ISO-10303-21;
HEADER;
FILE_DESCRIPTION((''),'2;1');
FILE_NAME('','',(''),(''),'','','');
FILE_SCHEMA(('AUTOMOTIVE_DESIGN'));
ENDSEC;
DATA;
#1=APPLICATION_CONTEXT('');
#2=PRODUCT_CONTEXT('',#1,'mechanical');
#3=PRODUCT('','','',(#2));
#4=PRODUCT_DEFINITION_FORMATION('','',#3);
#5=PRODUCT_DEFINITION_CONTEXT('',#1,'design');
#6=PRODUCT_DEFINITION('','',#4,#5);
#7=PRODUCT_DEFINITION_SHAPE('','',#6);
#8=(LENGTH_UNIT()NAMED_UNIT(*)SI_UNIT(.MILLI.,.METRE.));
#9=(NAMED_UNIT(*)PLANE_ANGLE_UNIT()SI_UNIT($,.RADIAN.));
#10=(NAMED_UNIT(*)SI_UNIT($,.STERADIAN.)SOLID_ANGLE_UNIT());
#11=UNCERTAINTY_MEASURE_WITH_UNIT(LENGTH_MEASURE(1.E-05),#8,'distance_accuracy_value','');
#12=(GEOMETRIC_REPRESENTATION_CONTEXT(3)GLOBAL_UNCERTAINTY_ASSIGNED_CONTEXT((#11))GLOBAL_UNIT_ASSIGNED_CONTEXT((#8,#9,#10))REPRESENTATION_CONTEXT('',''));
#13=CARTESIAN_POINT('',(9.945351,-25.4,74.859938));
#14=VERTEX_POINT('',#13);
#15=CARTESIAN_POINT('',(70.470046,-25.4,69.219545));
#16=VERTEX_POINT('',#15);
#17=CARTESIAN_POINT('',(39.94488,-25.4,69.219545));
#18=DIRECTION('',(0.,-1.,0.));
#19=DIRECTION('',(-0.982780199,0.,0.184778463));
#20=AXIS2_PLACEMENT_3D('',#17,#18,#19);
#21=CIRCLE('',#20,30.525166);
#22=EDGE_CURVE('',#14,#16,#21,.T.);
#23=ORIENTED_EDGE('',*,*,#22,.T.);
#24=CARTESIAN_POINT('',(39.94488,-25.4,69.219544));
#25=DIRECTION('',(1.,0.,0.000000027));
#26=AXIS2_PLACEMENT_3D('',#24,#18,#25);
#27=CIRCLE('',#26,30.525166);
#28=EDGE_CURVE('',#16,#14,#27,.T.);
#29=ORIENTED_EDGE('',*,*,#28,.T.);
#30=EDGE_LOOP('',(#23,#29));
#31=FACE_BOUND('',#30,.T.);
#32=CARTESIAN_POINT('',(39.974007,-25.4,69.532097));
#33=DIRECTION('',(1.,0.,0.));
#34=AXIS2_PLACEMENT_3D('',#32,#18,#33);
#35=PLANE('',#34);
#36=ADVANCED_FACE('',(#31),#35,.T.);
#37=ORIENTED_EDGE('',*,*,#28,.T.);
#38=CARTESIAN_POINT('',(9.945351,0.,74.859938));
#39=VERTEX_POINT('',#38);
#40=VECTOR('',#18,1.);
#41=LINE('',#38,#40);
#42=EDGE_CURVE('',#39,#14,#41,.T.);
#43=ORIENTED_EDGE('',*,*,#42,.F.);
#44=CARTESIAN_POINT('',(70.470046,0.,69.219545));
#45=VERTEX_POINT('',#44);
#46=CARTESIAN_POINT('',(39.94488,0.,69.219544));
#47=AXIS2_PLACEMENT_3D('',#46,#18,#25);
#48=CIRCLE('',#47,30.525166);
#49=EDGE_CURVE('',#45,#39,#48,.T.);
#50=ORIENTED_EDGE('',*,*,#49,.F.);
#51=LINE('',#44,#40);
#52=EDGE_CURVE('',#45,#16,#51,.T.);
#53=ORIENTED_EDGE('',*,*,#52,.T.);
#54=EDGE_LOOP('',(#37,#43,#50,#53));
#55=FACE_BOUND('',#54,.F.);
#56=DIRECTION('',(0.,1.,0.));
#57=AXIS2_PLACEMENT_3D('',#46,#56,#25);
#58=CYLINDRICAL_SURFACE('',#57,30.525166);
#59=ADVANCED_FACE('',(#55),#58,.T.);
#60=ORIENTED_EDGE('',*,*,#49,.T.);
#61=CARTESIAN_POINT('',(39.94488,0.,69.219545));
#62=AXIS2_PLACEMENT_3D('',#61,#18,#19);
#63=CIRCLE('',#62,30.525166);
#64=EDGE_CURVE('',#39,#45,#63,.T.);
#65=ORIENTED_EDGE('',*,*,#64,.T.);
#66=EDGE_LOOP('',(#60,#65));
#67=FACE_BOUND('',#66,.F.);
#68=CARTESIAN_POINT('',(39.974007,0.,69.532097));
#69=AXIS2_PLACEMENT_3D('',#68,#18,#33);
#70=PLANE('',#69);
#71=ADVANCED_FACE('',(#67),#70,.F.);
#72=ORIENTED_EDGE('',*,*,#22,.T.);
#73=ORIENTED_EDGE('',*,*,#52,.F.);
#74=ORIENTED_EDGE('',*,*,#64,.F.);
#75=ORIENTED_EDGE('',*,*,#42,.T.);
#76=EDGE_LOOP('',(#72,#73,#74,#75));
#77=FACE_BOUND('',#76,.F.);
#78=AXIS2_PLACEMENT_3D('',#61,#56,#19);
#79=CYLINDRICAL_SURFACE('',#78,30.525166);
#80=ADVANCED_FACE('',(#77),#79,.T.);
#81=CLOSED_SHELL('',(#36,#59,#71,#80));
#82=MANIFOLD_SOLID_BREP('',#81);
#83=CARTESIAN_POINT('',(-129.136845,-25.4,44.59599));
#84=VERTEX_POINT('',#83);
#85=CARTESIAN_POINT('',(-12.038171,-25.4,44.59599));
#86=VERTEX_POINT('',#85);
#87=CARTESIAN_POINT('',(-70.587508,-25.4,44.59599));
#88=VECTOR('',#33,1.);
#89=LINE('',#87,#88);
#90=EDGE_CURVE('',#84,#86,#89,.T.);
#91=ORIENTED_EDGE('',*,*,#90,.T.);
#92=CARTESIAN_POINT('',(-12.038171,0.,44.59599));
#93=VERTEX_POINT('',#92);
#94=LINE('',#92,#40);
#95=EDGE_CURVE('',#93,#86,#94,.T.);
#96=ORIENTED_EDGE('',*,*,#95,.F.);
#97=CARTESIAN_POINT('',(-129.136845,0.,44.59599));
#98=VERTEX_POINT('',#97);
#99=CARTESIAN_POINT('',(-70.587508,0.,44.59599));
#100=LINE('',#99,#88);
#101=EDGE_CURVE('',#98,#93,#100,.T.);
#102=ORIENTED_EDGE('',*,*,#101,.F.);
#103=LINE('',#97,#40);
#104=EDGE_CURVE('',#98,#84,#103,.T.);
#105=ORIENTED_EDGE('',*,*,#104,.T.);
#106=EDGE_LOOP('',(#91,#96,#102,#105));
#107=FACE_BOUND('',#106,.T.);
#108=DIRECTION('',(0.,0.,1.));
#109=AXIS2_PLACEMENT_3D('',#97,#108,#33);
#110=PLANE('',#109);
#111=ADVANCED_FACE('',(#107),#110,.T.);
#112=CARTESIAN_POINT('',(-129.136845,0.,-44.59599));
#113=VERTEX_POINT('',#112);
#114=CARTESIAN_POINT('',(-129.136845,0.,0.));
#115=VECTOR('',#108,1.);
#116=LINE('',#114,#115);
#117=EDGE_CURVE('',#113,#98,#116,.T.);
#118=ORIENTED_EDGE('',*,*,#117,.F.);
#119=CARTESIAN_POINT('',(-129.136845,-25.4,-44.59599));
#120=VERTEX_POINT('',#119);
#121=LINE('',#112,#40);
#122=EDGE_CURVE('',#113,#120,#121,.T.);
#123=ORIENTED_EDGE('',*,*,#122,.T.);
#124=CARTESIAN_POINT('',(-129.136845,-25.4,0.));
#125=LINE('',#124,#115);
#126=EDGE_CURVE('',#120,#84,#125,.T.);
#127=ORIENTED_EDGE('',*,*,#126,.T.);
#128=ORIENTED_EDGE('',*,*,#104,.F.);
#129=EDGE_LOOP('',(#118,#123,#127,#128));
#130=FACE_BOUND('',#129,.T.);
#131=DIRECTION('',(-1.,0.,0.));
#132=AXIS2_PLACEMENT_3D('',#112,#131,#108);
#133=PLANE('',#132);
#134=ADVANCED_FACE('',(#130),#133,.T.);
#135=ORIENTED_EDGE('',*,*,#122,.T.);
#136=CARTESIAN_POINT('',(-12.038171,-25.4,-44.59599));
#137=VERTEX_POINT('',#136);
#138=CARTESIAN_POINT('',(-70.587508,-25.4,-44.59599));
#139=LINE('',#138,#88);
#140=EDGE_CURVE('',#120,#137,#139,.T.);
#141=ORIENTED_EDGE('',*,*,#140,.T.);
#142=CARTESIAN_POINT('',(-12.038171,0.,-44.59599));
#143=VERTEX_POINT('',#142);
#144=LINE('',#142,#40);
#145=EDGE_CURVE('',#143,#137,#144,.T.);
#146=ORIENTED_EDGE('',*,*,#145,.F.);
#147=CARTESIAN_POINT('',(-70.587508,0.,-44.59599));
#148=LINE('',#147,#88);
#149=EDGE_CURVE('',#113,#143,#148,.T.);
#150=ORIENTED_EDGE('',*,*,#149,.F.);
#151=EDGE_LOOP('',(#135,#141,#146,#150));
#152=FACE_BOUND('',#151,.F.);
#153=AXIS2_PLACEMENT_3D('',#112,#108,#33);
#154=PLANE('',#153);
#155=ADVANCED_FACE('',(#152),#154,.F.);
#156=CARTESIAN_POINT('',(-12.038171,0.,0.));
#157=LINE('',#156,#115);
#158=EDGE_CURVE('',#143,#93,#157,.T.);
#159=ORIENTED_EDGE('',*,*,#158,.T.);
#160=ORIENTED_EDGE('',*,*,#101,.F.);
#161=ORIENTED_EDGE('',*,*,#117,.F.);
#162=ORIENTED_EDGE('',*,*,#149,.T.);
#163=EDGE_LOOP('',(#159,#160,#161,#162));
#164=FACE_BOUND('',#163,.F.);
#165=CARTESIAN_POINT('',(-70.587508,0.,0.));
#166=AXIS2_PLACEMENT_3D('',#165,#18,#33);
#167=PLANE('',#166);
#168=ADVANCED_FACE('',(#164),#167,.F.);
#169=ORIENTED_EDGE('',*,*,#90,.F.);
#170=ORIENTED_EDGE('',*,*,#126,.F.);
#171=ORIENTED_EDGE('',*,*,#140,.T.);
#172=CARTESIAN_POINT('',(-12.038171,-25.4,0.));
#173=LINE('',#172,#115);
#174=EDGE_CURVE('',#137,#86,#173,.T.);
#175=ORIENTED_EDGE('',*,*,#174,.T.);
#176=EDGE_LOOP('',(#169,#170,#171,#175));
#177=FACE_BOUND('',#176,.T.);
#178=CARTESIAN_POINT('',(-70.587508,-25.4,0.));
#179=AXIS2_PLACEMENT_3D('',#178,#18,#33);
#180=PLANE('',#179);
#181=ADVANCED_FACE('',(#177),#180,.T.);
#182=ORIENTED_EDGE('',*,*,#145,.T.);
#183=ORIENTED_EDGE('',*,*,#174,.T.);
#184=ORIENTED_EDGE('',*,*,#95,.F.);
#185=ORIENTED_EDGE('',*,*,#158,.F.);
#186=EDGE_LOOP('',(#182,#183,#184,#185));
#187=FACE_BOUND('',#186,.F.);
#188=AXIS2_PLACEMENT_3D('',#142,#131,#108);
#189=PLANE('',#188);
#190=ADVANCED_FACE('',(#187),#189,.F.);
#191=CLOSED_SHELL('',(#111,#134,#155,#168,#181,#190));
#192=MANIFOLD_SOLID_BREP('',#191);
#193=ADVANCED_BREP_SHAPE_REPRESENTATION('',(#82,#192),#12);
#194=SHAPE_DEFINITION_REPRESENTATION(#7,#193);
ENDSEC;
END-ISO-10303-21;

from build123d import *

# Parameters (mm, degrees)
F0_W     = 117.098674
F0_H     = 89.19198
F1_DEPTH = 25.4


with BuildPart() as f1:
    # F0 (on Front) → F1 (new body)
    with BuildSketch(Plane.XZ):
        with Locations((-70.587508, 0)):
            Rectangle(F0_W, F0_H)
        with BuildLine():
            ThreePointArc((70.470046, 69.219545), (42.777296, 99.613017), (9.945351, 74.859938))
            ThreePointArc((9.945351, 74.859938), (37.112463, 38.826072), (70.470046, 69.219545))
        make_face()
    extrude(amount=F1_DEPTH)


solid = f1.part
